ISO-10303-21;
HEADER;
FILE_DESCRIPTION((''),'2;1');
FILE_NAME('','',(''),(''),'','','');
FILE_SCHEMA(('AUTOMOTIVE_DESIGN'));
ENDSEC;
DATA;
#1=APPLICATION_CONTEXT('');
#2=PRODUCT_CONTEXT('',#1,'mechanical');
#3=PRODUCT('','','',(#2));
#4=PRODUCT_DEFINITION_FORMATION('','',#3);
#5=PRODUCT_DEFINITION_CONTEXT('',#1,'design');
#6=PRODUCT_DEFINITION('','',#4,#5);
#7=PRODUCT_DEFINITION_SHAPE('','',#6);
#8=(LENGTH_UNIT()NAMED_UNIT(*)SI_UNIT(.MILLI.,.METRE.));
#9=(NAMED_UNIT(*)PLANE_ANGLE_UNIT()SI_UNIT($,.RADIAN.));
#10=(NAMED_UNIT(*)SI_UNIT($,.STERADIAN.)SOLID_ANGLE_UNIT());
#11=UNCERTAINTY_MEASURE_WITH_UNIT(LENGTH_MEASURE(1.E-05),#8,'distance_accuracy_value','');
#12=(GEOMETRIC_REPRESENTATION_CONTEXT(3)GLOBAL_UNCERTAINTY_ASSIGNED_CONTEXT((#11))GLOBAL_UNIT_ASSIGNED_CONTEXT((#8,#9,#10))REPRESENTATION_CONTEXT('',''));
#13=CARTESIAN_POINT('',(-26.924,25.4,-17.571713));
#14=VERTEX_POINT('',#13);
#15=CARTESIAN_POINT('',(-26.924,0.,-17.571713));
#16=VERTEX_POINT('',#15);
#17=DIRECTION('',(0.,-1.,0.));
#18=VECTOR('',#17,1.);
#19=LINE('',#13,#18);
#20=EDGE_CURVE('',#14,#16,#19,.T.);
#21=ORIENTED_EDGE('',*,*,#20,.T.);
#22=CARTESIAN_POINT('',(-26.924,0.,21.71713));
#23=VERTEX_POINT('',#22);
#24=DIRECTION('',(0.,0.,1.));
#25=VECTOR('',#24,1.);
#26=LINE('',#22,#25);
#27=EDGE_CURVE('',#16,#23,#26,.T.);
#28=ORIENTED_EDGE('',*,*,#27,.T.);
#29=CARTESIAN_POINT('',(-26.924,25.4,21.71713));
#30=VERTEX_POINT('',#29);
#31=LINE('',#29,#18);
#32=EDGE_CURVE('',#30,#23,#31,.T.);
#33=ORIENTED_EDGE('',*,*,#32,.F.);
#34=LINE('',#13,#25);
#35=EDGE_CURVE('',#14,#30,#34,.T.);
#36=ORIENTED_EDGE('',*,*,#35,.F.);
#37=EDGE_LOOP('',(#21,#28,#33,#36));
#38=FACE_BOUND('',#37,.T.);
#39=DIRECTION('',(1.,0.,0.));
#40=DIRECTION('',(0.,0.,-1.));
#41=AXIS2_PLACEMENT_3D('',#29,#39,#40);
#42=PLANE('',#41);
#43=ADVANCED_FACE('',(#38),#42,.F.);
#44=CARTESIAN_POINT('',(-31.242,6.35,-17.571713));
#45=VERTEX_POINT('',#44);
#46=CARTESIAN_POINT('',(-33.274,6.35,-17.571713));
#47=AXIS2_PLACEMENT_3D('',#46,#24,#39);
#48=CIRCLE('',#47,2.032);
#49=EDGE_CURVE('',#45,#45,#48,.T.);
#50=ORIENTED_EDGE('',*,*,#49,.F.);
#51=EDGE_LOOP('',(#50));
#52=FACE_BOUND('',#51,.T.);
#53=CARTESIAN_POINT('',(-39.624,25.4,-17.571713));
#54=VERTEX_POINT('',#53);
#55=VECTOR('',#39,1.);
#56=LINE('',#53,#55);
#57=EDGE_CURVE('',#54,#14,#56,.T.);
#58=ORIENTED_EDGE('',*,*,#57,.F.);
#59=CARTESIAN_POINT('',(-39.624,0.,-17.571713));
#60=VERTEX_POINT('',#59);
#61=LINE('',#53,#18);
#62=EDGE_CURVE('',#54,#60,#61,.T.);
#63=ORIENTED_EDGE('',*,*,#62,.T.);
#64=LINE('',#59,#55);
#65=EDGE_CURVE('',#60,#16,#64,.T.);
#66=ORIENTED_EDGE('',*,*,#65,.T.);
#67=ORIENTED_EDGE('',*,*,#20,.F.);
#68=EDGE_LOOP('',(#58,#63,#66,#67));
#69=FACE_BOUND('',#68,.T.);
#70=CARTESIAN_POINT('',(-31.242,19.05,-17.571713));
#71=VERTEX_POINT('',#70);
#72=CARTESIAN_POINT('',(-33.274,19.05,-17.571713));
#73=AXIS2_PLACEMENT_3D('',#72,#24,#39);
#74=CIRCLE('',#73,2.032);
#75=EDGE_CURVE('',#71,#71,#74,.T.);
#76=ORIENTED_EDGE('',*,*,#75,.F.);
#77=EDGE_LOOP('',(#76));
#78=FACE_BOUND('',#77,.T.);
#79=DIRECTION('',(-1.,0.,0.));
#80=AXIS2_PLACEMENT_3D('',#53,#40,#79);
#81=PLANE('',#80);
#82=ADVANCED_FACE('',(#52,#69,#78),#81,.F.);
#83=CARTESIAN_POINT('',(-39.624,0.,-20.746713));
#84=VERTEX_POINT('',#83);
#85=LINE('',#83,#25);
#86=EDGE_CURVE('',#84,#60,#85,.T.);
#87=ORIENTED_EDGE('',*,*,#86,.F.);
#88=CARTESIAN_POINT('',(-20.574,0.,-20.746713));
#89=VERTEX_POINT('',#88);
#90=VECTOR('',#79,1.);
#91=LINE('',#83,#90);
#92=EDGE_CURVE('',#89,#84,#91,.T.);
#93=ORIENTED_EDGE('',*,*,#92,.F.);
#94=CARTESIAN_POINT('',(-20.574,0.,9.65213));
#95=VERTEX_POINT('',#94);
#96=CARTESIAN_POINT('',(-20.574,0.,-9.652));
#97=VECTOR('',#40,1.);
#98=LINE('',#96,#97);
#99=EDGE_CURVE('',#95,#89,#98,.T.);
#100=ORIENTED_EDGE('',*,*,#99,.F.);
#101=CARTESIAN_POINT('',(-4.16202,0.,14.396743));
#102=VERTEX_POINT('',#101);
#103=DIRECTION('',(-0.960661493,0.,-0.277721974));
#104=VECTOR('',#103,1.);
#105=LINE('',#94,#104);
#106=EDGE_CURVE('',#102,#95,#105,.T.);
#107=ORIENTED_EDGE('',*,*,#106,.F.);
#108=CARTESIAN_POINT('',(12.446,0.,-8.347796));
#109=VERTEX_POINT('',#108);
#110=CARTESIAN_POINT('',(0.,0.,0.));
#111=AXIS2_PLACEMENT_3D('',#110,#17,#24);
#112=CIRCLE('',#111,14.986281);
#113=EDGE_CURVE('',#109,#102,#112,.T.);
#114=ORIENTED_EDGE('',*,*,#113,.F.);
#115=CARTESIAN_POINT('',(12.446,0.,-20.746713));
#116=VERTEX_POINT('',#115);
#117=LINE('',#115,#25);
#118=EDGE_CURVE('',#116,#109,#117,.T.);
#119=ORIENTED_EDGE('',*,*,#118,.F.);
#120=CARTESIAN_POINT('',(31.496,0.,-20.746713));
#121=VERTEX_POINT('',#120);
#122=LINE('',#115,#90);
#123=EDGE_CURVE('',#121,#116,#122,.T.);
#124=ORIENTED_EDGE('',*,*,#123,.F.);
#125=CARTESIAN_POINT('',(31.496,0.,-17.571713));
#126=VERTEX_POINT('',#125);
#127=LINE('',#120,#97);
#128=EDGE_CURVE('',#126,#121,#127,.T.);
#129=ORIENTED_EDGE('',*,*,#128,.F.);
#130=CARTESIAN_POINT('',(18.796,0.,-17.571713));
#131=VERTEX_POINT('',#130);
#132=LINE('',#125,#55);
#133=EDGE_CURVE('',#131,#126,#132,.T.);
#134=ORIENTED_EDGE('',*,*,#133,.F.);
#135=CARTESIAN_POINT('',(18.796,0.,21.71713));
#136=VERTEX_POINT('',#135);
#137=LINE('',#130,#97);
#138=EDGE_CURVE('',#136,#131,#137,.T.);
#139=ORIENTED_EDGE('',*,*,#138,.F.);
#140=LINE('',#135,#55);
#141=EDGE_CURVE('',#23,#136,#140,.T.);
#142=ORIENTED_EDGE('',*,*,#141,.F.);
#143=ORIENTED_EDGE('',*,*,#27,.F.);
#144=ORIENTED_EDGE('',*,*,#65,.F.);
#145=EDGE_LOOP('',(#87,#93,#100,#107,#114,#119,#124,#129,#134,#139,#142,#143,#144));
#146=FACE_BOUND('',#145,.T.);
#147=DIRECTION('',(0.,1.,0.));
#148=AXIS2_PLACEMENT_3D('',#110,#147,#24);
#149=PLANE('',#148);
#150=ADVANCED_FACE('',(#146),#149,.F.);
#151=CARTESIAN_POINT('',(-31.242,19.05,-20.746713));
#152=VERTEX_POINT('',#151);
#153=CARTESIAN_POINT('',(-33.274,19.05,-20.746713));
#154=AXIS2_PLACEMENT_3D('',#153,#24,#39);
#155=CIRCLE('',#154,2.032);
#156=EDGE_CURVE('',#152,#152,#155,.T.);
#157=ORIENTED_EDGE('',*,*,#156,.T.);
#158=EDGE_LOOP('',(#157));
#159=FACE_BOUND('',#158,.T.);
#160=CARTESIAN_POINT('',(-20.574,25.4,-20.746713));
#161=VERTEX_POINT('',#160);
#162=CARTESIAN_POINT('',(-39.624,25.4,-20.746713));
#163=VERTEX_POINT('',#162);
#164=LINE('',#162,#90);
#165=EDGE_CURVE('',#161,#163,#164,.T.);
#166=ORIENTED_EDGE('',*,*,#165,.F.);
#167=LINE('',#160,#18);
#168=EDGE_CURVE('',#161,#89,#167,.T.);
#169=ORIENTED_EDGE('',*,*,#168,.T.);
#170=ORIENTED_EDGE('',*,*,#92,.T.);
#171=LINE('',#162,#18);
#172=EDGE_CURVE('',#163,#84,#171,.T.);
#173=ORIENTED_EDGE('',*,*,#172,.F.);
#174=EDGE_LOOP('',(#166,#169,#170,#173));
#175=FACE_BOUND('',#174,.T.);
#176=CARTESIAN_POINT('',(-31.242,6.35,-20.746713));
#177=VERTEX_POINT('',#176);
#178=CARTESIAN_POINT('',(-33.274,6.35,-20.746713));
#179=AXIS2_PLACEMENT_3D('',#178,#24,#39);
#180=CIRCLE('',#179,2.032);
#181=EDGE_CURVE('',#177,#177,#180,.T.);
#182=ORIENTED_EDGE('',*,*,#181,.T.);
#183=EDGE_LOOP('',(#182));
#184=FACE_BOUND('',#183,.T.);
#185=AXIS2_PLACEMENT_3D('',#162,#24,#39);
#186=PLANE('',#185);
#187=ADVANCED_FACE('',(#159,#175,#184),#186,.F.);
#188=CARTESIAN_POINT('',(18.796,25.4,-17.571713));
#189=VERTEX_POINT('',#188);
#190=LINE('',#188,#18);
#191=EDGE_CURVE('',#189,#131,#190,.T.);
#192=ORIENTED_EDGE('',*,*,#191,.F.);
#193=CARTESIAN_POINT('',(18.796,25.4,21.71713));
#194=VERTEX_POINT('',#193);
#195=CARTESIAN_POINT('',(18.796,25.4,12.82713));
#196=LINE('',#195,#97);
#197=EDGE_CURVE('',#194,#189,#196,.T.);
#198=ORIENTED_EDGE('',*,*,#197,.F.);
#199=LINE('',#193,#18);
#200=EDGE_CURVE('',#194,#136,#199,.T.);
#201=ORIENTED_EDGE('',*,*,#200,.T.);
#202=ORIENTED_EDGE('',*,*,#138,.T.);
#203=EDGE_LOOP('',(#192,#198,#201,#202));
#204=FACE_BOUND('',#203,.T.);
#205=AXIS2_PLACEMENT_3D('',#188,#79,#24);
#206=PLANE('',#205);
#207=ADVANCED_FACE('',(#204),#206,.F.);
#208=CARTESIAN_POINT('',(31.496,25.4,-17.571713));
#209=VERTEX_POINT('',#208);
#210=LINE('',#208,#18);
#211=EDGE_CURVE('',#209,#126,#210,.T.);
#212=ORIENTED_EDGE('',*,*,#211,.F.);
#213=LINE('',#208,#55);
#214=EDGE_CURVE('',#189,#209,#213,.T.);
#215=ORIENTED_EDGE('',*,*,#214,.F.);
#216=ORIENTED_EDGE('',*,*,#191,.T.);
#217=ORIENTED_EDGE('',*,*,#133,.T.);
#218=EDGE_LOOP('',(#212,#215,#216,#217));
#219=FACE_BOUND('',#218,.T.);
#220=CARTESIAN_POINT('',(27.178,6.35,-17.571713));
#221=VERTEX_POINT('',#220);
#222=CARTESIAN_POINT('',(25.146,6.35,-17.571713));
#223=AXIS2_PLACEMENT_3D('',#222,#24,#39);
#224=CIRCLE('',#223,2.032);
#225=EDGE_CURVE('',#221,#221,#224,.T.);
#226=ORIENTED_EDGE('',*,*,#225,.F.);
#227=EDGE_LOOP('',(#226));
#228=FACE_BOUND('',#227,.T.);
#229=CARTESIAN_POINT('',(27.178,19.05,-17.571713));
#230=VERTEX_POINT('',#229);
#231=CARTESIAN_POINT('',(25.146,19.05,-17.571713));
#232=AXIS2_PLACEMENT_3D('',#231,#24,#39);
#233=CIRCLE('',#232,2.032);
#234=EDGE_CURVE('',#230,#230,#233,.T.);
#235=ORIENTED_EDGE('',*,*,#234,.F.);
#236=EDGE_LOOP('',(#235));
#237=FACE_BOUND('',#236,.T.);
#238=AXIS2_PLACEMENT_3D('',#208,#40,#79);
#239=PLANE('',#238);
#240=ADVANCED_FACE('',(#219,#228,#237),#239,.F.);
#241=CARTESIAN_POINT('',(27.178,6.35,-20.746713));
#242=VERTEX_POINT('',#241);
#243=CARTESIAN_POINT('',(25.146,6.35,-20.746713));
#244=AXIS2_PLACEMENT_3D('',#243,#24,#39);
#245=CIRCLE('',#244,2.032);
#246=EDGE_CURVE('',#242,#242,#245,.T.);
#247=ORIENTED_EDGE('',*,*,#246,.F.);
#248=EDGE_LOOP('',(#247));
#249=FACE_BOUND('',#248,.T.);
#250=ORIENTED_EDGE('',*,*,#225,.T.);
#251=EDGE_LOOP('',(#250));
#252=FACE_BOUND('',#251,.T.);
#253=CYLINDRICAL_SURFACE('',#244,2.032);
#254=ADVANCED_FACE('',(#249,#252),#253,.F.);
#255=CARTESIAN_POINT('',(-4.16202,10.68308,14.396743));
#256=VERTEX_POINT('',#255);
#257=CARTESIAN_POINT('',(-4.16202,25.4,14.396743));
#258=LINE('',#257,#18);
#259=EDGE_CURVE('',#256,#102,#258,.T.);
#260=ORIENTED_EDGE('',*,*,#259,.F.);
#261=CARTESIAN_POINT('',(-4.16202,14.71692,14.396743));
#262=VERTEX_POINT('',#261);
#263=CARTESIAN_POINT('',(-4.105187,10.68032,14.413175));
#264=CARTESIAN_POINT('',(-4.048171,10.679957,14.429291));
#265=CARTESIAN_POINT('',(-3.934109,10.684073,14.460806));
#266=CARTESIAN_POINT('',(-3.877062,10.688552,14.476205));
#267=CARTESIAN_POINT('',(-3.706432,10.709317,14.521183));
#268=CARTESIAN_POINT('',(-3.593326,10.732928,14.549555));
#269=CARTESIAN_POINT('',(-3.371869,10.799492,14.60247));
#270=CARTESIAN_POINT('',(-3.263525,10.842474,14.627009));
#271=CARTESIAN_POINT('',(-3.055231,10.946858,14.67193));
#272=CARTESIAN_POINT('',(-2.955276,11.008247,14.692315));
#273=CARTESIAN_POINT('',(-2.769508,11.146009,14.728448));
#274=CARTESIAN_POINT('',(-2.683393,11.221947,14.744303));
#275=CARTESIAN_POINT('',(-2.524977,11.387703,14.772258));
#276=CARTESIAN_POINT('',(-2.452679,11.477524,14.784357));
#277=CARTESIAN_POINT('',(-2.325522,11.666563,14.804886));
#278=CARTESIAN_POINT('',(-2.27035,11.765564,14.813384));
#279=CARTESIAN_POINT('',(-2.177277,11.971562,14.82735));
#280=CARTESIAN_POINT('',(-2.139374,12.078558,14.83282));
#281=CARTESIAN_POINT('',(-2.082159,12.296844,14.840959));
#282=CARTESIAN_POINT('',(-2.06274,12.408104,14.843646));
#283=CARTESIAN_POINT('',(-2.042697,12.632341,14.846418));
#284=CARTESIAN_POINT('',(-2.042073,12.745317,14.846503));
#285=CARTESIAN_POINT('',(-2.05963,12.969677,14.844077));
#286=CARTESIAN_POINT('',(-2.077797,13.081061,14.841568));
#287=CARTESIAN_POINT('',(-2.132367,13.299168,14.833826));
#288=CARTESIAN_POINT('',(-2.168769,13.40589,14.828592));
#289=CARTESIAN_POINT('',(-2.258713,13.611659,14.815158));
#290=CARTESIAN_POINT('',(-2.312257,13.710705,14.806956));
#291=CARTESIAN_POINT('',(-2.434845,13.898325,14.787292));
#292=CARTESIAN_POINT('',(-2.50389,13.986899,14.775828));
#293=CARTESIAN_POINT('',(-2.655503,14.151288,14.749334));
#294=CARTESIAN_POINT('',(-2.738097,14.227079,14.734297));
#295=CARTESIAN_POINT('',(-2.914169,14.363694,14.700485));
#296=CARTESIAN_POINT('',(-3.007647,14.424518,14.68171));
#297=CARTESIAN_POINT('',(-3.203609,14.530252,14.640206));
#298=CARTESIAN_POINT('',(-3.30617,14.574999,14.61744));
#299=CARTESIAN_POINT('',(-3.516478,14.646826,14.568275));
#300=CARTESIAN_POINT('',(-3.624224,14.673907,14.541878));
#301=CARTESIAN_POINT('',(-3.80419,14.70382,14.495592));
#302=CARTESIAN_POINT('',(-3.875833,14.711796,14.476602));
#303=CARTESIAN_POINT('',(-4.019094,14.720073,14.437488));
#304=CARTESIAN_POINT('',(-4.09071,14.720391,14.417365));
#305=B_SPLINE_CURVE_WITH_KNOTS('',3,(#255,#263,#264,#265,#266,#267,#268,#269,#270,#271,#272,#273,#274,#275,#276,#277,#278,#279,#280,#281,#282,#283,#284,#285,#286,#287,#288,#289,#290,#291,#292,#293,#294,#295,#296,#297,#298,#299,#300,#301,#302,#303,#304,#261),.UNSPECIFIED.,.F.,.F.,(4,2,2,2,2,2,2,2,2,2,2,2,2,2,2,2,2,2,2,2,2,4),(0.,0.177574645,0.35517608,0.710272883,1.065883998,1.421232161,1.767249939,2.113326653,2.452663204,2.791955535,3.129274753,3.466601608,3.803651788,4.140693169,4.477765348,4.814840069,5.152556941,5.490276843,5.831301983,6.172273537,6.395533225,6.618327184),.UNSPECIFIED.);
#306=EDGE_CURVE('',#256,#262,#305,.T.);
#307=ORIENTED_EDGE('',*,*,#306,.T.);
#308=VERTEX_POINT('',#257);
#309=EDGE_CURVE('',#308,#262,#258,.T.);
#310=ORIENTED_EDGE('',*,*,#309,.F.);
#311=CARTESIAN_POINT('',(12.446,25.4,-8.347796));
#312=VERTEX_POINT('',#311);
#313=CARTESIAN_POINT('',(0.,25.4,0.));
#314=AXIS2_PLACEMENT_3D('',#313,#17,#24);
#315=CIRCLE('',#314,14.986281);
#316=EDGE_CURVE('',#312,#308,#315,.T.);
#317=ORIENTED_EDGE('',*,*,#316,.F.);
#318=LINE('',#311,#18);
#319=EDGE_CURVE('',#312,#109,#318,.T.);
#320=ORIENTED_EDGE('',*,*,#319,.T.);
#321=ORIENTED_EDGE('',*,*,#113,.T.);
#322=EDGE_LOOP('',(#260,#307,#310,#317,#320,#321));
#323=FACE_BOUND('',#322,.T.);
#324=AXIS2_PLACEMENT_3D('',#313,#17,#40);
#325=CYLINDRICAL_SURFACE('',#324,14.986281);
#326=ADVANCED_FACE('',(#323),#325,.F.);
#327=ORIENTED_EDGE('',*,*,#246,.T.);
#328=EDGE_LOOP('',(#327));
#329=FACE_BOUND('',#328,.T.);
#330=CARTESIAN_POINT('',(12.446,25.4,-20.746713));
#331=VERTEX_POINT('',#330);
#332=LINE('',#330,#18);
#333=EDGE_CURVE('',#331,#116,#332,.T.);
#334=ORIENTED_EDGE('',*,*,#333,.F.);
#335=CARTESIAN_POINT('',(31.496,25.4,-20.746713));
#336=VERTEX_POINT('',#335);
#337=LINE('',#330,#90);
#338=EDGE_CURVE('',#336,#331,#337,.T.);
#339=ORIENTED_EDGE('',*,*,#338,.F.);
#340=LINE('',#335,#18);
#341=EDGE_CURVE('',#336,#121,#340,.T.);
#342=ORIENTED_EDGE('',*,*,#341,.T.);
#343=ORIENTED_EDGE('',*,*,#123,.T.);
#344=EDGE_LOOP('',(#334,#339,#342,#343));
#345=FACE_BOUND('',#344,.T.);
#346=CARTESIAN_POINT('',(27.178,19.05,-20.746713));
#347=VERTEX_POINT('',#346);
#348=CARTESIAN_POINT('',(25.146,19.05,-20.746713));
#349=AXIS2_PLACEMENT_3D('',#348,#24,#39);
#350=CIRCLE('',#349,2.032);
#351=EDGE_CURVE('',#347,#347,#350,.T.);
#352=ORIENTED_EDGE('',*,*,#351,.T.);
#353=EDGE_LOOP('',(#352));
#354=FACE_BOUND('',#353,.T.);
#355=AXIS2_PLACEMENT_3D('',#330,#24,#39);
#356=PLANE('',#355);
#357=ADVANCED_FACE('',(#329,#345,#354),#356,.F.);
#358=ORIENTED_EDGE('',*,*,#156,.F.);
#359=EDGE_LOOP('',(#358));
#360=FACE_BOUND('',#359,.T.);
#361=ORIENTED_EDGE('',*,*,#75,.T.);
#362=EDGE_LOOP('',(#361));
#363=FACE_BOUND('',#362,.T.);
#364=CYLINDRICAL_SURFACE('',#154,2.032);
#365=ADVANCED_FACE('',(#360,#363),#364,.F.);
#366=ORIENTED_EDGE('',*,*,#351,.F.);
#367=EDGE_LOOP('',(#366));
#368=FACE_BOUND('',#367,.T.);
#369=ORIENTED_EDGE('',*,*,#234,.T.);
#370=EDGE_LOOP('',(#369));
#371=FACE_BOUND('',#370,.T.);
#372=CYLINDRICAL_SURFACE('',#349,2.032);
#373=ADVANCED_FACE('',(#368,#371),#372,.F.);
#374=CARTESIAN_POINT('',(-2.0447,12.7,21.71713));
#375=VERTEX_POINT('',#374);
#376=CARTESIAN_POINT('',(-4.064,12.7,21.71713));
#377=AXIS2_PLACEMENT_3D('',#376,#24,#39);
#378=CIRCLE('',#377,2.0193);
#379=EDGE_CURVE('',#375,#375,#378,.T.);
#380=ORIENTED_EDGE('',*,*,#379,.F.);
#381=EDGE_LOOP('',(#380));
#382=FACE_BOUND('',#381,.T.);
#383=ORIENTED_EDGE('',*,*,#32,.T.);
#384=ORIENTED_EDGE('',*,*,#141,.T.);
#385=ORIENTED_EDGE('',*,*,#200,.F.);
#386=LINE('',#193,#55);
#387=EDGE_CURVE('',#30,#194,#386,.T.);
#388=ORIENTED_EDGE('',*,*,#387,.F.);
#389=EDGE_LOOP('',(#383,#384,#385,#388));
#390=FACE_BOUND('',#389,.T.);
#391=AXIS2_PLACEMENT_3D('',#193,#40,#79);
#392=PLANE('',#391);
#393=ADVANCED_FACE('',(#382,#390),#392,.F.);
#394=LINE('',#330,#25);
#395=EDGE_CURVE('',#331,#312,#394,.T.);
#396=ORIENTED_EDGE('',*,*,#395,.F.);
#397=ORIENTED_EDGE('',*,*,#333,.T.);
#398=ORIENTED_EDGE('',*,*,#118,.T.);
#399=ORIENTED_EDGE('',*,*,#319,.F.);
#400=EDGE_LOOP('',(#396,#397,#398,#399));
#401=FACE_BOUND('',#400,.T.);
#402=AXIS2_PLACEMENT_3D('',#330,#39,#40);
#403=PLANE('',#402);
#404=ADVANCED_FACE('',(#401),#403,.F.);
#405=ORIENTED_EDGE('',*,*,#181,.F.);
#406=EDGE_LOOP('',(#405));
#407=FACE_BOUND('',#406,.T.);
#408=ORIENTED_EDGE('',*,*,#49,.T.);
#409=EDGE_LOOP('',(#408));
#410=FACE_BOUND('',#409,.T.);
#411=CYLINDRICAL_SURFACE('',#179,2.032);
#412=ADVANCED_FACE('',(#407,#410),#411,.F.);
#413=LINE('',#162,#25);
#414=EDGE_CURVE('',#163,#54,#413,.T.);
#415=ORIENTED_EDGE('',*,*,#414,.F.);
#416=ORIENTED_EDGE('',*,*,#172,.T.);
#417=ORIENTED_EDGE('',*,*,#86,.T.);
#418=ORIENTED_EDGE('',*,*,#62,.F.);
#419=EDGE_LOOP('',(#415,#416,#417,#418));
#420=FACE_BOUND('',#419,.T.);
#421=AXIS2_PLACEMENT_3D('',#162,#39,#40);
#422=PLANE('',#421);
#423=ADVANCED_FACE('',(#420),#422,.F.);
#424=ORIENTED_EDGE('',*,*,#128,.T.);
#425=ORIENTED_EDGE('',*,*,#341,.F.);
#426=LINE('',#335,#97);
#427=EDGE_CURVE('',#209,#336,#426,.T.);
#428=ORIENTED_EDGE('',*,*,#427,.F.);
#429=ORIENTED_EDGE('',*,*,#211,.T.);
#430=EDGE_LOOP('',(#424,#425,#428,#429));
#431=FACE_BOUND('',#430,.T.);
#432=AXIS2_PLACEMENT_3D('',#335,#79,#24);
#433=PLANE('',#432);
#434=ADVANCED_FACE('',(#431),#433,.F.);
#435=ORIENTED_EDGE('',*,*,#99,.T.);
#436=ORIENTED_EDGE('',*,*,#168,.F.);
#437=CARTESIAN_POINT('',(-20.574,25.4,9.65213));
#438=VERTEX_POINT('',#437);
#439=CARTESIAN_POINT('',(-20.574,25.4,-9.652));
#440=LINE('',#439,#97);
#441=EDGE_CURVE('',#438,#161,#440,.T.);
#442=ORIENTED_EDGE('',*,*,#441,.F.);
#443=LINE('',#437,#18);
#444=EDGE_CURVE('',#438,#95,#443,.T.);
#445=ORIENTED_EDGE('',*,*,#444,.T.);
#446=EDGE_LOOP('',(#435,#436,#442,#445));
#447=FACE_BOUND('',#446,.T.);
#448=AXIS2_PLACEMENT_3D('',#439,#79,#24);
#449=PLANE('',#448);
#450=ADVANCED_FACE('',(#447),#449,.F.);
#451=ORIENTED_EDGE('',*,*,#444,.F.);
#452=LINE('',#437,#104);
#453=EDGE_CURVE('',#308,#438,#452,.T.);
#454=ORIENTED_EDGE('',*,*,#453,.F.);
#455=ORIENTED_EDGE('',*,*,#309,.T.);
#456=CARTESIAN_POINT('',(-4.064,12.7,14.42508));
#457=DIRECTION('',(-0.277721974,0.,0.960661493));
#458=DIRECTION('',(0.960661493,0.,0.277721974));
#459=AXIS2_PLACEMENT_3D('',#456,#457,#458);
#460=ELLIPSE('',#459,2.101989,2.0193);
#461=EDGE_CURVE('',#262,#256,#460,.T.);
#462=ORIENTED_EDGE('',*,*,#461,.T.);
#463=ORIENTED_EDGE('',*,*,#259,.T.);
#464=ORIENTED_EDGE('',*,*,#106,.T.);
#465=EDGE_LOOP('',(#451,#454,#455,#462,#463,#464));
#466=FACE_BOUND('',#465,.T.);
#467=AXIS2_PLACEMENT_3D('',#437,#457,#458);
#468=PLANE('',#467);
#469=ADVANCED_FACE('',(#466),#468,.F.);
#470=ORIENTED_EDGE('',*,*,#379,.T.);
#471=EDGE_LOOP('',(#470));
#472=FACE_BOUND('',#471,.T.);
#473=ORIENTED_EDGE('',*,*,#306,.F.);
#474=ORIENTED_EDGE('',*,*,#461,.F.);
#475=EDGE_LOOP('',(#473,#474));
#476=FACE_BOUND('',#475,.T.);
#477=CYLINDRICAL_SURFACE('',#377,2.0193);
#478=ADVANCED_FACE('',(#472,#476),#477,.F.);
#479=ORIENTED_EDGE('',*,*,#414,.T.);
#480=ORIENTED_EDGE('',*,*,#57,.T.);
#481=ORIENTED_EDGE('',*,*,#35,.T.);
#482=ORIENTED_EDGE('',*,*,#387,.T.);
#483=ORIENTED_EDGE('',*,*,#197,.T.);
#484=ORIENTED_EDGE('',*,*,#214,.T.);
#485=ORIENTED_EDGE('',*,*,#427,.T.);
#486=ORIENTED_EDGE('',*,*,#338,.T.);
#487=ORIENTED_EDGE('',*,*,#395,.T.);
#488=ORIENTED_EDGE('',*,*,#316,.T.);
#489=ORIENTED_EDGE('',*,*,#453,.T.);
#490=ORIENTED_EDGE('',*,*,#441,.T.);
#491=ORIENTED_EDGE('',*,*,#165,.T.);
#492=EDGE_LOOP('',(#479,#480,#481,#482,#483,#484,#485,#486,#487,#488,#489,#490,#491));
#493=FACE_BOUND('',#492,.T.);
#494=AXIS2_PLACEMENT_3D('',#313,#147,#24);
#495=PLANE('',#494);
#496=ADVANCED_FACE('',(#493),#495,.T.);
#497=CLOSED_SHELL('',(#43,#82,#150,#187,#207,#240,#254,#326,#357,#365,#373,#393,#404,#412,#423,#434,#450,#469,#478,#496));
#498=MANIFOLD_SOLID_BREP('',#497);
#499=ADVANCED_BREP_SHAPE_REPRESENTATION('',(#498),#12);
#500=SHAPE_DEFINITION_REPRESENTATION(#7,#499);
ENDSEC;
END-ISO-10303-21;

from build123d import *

# Parameters (mm, degrees)
BOSS_EXTRUDE1_DEPTH    = 25.4
SKETCH2_R              = 2.032
CUT_EXTRUDE1_DEPTH     = 62.309334692
F_10_32_TAPPED_HOLE1_D = 4.0386


with BuildPart() as part:
    # Sketch1 → Boss-Extrude1 (new body)
    with BuildSketch(Plane(origin=(0, 0, 0), x_dir=(1, 0, 0), z_dir=(0, 1, 0))):
        with BuildLine():
            Line((-20.574, -9.652129604), (-4.162019583, -14.39674322))
            ThreePointArc((-4.162019583, -14.39674322), (12.103082443, -8.837647749), (12.446, 8.347796497))
            Line((12.446, 8.347796497), (12.446, 20.746712887))
            Line((12.446, 20.746712887), (31.496, 20.746712887))
            Line((31.496, 20.746712887), (31.496, 17.571712887))
            Line((31.496, 17.571712887), (18.796, 17.571712887))
            Line((18.796, 17.571712887), (18.796, -12.827129604))
            Line((18.796, -12.827129604), (18.796, -21.717129604))
            Line((18.796, -21.717129604), (-26.924, -21.717129604))
            Line((-26.924, -21.717129604), (-26.924, -12.827129604))
            Line((-26.924, -12.827129604), (-26.924, 17.571712887))
            Line((-26.924, 17.571712887), (-39.624, 17.571712887))
            Line((-39.624, 17.571712887), (-39.624, 20.746712887))
            Line((-39.624, 20.746712887), (-20.574, 20.746712887))
            Line((-20.574, 20.746712887), (-20.574, 9.652))
            Line((-20.574, 9.652), (-20.574, -9.652129604))
        make_face()
    extrude(amount=BOSS_EXTRUDE1_DEPTH)

    # Sketch2 → Cut-Extrude1 (cut, through all)
    with BuildSketch(Plane.XY.offset(-17.571712887)):
        with Locations((-33.274, 19.05)):
            Circle(SKETCH2_R)
        with Locations((-33.274, 6.35)):
            Circle(SKETCH2_R)
        with Locations((25.146, 19.05)):
            Circle(SKETCH2_R)
        with Locations((25.146, 6.35)):
            Circle(SKETCH2_R)
    extrude(amount=-CUT_EXTRUDE1_DEPTH, mode=Mode.SUBTRACT)

    # #10-32 Tapped Hole1 (through all)
    with Locations(Plane.XY.offset(21.717129604)):
        with Locations((-4.064, 12.7)):
            Hole(F_10_32_TAPPED_HOLE1_D / 2)


solid = part.part
